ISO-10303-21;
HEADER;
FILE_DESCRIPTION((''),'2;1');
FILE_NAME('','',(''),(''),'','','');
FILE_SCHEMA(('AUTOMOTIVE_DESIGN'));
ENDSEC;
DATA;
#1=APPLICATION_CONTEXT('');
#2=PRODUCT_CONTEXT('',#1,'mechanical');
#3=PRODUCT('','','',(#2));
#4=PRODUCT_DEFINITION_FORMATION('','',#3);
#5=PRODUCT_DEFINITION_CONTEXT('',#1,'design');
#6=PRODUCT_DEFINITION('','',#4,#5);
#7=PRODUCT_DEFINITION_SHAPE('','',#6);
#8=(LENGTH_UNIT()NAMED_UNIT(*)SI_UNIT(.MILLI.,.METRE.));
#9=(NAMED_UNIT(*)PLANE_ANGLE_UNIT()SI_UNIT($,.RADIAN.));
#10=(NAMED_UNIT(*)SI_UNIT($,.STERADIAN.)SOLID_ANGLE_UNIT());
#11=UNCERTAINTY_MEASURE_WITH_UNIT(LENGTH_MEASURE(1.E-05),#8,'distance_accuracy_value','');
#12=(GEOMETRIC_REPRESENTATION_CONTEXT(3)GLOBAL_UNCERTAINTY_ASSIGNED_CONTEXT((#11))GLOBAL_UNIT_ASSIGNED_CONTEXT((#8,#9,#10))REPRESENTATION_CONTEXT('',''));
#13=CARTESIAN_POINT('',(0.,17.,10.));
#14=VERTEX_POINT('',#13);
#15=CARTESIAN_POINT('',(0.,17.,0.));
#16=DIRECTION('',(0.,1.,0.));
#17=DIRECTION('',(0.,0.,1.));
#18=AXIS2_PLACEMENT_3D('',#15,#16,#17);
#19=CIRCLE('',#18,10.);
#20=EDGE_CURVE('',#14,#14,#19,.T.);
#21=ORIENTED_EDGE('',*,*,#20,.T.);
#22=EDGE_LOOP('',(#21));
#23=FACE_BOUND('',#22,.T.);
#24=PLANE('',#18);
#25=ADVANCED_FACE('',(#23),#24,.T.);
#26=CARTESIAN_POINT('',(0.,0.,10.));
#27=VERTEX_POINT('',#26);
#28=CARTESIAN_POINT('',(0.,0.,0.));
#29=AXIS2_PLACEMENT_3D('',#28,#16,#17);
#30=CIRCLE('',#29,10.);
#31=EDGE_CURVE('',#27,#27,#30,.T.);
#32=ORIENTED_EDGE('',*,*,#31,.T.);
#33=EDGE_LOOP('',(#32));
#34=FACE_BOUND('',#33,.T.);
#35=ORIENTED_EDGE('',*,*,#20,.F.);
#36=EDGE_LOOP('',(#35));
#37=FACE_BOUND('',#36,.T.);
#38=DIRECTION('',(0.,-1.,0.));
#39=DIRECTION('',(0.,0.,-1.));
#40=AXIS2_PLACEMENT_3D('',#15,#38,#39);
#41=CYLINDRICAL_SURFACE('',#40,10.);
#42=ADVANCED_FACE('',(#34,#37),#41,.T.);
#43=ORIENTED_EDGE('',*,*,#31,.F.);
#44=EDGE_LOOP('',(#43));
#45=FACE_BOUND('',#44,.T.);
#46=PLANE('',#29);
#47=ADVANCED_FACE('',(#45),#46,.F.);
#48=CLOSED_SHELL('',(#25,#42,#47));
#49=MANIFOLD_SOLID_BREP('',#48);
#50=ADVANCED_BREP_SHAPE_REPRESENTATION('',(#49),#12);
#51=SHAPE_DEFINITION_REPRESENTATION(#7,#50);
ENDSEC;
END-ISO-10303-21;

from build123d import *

# Parameters (mm, degrees)
SKETCH_1_R      = 10
EXTRUDE_1_DEPTH = 17


with BuildPart() as part:
    # Эскиз1 → Бобышка-Вытянуть1 (new body)
    with BuildSketch(Plane(origin=(0, 0, 0), x_dir=(1, 0, 0), z_dir=(0, 1, 0))):
        with Locations(Location((0, 0, 0), (0, 0, 270))):
            Circle(SKETCH_1_R)
    extrude(amount=EXTRUDE_1_DEPTH)


solid = part.part
